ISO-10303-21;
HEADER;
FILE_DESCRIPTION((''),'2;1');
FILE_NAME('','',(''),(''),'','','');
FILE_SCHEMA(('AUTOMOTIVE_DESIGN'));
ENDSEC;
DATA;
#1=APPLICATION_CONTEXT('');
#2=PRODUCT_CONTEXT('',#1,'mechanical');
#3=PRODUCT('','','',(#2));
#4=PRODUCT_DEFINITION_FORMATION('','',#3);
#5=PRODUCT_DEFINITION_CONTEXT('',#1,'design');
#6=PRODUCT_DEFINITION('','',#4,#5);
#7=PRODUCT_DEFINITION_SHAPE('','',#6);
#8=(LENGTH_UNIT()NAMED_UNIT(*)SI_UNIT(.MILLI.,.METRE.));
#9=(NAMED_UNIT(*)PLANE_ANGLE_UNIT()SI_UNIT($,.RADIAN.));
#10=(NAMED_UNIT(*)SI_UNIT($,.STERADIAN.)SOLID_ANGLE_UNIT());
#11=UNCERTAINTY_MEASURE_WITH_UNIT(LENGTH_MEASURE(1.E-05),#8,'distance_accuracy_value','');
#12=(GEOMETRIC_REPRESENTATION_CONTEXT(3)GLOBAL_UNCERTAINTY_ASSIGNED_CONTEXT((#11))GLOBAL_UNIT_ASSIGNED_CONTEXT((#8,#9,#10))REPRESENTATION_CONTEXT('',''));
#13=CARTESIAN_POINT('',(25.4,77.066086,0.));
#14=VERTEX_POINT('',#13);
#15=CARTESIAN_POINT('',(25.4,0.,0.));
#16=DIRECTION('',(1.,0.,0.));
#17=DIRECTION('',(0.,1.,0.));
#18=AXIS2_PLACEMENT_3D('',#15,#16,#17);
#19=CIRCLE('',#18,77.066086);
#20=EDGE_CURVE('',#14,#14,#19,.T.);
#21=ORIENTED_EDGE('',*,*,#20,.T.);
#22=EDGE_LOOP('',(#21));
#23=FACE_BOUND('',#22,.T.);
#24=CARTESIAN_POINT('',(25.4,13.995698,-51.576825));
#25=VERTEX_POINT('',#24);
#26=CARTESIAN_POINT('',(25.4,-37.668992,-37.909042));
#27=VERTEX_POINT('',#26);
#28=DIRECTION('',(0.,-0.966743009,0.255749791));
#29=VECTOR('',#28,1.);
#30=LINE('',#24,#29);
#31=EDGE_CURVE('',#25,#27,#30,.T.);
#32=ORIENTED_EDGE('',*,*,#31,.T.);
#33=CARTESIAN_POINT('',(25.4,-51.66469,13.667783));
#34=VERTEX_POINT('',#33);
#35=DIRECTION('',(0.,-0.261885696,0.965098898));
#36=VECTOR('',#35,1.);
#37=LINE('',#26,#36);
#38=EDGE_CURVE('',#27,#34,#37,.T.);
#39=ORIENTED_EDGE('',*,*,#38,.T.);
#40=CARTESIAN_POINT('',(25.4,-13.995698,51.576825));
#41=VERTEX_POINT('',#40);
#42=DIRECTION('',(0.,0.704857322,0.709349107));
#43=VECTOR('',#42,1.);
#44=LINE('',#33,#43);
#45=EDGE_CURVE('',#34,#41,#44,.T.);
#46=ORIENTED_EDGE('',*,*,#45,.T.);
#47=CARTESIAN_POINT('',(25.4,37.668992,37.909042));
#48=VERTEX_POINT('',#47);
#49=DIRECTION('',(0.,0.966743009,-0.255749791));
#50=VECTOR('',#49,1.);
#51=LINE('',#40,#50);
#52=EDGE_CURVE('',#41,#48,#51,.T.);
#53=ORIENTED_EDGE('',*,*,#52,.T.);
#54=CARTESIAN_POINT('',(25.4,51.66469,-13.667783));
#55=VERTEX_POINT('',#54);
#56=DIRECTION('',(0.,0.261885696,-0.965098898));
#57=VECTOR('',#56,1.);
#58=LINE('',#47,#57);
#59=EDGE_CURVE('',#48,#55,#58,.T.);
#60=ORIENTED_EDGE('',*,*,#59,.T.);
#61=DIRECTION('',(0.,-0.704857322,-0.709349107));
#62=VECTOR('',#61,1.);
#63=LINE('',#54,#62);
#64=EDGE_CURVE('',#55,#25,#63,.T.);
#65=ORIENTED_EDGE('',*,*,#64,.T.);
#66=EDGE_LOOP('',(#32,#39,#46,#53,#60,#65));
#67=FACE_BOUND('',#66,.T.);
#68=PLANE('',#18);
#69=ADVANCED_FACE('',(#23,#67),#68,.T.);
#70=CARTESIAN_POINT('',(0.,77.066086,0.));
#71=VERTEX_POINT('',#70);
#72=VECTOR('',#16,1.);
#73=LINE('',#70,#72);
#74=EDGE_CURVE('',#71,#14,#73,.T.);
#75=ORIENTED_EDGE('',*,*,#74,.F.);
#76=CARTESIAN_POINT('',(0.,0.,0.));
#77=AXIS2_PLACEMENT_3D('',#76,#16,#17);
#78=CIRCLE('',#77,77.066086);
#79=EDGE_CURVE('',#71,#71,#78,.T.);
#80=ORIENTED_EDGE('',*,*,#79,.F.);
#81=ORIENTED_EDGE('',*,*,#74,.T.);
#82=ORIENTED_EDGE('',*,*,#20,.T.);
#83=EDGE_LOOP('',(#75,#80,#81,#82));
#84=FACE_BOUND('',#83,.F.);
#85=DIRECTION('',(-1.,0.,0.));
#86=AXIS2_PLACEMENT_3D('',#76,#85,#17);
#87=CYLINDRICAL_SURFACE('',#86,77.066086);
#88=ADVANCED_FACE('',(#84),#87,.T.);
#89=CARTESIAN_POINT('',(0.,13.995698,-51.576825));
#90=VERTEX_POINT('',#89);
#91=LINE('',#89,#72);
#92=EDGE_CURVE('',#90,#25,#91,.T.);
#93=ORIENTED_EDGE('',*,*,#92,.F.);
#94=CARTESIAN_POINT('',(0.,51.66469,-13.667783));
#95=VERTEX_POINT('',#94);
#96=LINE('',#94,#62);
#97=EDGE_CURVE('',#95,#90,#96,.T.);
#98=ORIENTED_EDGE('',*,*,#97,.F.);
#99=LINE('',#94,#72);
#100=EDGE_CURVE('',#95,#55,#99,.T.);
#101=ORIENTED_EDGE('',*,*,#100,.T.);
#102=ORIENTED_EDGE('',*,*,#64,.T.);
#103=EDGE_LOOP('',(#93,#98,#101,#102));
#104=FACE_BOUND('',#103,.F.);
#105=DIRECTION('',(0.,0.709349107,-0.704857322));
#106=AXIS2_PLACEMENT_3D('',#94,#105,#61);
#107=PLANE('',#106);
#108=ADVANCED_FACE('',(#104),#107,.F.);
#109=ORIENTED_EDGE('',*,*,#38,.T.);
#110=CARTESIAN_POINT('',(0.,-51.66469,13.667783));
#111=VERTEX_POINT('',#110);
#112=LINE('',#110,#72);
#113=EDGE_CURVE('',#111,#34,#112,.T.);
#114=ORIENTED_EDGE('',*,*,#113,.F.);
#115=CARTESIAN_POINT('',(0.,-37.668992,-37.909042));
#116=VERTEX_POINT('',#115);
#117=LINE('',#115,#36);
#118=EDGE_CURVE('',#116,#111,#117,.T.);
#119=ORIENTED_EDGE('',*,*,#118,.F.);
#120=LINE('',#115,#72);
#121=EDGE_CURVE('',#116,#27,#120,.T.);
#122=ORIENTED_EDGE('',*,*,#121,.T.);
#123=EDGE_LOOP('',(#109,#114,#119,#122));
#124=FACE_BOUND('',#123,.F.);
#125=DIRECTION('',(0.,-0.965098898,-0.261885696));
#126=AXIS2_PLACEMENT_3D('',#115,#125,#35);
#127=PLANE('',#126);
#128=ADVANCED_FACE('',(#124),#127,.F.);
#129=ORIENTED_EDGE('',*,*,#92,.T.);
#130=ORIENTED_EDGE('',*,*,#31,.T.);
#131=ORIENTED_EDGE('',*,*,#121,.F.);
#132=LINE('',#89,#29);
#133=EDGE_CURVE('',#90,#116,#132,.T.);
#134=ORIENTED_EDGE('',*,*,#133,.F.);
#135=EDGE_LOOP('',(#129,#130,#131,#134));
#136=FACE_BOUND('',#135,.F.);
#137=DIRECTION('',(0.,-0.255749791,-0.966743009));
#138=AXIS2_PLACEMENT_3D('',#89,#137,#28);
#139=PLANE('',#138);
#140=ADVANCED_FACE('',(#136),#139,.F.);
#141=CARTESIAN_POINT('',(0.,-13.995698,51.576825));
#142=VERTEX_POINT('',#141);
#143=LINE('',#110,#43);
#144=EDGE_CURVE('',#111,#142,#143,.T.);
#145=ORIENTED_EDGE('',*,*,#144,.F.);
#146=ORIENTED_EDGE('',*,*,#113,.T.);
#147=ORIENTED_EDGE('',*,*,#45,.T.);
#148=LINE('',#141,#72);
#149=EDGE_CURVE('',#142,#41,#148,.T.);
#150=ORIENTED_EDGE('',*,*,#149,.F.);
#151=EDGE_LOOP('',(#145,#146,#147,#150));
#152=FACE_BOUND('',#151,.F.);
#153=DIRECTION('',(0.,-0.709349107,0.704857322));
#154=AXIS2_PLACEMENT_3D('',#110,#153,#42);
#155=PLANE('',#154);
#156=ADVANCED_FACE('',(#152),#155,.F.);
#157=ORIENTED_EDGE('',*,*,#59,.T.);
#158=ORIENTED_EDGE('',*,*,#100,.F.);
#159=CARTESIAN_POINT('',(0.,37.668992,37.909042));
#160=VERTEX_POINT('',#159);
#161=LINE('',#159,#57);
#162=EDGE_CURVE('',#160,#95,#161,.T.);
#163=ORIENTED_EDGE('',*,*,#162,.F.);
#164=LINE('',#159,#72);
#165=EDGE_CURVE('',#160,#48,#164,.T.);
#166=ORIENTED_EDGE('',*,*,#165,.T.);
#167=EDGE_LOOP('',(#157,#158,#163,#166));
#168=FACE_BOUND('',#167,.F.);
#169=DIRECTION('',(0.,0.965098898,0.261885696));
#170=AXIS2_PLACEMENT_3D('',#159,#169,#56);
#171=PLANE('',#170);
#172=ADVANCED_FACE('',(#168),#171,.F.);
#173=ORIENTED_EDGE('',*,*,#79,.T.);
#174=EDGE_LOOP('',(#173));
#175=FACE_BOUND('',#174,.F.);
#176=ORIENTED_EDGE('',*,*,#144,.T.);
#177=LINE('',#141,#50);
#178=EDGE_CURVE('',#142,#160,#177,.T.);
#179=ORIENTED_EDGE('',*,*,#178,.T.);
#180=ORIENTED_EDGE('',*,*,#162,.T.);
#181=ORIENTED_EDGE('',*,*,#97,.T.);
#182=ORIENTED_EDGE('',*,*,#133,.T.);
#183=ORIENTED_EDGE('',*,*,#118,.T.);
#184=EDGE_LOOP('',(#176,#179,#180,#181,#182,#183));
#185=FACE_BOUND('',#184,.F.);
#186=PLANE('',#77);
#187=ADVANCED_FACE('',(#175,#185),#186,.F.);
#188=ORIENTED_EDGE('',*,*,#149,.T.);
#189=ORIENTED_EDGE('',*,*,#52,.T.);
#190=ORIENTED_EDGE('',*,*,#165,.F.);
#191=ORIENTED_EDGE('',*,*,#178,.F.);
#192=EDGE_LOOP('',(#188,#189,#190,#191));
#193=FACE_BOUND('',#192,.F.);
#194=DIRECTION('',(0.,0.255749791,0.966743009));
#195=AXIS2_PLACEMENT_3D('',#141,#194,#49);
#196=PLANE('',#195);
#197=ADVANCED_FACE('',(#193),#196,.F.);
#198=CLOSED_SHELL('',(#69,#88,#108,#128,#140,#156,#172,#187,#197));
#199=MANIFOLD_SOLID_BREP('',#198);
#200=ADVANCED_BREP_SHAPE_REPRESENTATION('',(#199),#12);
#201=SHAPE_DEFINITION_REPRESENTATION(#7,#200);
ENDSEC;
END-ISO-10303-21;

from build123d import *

# Parameters (mm, degrees)
F0_R     = 77.066086
F1_DEPTH = 25.4
F3_DEPTH = 25.4


with BuildPart() as f1:
    # F0 (on Right) → F1 (new body)
    with BuildSketch(Plane.YZ):
        Circle(F0_R)
    extrude(amount=F1_DEPTH)

    # F2 (on face) → F3 (cut)
    with BuildSketch(Plane(origin=(0, 0, 0), x_dir=(0, -1, 0), z_dir=(-1, 0, 0))):
        Polygon((51.66469, 13.667783), (13.995698, 51.576825), (-37.668992, 37.909042), (-51.66469, -13.667783), (-13.995698, -51.576825), (37.668992, -37.909042), align=None)
    extrude(amount=-F3_DEPTH, mode=Mode.SUBTRACT)


solid = f1.part
